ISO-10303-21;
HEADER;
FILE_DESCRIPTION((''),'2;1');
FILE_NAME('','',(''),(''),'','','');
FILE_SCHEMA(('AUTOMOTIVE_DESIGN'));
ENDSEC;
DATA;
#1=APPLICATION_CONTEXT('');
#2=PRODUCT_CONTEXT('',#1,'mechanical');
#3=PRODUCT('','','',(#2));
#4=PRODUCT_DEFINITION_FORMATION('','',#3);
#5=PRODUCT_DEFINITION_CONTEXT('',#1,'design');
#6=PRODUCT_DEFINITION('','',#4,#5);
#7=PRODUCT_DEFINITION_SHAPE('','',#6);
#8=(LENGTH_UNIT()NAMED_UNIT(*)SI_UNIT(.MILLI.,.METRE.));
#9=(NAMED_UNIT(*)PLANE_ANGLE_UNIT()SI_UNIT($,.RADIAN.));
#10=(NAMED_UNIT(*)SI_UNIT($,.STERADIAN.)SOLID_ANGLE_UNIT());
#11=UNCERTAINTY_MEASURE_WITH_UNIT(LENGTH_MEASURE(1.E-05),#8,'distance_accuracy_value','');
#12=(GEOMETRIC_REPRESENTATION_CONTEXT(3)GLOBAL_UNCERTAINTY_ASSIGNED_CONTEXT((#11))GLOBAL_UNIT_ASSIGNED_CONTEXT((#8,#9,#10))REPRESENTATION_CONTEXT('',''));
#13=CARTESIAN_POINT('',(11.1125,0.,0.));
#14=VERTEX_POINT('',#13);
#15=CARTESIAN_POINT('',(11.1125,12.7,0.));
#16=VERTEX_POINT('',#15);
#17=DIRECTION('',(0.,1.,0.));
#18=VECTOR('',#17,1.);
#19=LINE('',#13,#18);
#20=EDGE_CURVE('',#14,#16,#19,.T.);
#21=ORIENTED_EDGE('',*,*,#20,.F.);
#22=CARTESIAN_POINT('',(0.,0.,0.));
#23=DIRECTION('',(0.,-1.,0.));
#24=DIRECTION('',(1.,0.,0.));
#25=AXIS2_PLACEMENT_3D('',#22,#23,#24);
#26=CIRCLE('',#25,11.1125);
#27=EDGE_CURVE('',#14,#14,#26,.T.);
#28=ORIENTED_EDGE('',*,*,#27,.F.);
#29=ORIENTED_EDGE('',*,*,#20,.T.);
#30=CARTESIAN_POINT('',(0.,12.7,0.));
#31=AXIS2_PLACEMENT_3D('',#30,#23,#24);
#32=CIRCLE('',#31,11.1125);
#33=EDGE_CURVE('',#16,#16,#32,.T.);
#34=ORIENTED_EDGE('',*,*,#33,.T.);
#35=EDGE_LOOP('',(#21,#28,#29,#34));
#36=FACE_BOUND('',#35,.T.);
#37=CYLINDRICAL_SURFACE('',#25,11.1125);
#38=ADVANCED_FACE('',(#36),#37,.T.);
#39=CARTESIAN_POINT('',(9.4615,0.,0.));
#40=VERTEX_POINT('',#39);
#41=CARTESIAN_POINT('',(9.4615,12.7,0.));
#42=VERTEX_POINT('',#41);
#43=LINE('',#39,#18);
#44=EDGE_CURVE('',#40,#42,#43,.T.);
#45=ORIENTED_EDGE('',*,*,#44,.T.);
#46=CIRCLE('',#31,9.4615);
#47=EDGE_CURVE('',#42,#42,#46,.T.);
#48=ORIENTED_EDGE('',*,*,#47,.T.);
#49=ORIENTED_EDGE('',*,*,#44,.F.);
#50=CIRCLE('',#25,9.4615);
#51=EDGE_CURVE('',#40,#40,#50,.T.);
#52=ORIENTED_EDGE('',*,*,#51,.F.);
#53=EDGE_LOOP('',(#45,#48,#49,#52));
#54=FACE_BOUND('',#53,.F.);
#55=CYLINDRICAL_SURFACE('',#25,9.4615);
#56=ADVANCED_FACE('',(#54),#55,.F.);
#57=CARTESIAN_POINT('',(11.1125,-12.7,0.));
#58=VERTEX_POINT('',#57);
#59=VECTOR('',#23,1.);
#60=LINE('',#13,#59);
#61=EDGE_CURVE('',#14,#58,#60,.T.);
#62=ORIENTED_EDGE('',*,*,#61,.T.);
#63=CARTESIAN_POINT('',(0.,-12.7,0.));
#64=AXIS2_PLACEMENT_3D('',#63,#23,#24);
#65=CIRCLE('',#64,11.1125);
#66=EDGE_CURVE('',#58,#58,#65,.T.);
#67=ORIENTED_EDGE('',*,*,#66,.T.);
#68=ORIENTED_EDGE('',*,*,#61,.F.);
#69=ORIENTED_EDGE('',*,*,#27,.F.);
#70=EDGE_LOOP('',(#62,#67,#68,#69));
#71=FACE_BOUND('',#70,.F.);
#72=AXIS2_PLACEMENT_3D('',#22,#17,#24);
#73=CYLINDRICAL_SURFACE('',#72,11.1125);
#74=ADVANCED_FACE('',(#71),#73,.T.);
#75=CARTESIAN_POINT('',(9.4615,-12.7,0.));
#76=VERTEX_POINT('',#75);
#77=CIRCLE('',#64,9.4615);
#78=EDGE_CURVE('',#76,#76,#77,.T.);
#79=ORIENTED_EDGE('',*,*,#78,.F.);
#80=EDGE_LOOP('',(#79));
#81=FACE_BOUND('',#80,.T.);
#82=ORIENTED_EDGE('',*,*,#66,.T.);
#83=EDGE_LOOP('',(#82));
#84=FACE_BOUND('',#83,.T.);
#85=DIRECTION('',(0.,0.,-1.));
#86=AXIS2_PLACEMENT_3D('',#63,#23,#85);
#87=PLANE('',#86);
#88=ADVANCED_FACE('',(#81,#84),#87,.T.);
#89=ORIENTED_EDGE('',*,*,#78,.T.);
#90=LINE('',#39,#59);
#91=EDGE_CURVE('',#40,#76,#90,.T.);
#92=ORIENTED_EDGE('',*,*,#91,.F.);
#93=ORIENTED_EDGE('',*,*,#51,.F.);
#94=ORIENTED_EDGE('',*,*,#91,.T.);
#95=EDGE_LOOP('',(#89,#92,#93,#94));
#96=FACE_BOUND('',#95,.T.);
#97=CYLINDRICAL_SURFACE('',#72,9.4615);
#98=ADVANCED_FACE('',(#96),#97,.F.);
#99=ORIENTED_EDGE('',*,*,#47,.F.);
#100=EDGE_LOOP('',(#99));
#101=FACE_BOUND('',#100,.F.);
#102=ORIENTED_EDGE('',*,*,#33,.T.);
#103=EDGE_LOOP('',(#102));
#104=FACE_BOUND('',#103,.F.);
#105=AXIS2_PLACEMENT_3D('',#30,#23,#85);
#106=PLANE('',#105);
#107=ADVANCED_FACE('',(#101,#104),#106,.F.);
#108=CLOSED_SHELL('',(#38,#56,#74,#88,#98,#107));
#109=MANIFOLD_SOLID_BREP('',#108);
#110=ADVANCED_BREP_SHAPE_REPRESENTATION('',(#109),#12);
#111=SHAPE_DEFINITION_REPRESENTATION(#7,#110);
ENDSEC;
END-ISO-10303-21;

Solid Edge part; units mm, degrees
sketch "Sketch1" plane through (0, 0, 0) normal (0, -1, 0) x (1, 0, 0)
  circle A0 centre (0, 0) radius 11.1125
  circle A1 centre (0, 0) radius 9.4615
  dimension "D1" = 1.651
extrude "Protrusion1" add sketch "Sketch1" along normal mid plane 25.4
properties material "Steel"
